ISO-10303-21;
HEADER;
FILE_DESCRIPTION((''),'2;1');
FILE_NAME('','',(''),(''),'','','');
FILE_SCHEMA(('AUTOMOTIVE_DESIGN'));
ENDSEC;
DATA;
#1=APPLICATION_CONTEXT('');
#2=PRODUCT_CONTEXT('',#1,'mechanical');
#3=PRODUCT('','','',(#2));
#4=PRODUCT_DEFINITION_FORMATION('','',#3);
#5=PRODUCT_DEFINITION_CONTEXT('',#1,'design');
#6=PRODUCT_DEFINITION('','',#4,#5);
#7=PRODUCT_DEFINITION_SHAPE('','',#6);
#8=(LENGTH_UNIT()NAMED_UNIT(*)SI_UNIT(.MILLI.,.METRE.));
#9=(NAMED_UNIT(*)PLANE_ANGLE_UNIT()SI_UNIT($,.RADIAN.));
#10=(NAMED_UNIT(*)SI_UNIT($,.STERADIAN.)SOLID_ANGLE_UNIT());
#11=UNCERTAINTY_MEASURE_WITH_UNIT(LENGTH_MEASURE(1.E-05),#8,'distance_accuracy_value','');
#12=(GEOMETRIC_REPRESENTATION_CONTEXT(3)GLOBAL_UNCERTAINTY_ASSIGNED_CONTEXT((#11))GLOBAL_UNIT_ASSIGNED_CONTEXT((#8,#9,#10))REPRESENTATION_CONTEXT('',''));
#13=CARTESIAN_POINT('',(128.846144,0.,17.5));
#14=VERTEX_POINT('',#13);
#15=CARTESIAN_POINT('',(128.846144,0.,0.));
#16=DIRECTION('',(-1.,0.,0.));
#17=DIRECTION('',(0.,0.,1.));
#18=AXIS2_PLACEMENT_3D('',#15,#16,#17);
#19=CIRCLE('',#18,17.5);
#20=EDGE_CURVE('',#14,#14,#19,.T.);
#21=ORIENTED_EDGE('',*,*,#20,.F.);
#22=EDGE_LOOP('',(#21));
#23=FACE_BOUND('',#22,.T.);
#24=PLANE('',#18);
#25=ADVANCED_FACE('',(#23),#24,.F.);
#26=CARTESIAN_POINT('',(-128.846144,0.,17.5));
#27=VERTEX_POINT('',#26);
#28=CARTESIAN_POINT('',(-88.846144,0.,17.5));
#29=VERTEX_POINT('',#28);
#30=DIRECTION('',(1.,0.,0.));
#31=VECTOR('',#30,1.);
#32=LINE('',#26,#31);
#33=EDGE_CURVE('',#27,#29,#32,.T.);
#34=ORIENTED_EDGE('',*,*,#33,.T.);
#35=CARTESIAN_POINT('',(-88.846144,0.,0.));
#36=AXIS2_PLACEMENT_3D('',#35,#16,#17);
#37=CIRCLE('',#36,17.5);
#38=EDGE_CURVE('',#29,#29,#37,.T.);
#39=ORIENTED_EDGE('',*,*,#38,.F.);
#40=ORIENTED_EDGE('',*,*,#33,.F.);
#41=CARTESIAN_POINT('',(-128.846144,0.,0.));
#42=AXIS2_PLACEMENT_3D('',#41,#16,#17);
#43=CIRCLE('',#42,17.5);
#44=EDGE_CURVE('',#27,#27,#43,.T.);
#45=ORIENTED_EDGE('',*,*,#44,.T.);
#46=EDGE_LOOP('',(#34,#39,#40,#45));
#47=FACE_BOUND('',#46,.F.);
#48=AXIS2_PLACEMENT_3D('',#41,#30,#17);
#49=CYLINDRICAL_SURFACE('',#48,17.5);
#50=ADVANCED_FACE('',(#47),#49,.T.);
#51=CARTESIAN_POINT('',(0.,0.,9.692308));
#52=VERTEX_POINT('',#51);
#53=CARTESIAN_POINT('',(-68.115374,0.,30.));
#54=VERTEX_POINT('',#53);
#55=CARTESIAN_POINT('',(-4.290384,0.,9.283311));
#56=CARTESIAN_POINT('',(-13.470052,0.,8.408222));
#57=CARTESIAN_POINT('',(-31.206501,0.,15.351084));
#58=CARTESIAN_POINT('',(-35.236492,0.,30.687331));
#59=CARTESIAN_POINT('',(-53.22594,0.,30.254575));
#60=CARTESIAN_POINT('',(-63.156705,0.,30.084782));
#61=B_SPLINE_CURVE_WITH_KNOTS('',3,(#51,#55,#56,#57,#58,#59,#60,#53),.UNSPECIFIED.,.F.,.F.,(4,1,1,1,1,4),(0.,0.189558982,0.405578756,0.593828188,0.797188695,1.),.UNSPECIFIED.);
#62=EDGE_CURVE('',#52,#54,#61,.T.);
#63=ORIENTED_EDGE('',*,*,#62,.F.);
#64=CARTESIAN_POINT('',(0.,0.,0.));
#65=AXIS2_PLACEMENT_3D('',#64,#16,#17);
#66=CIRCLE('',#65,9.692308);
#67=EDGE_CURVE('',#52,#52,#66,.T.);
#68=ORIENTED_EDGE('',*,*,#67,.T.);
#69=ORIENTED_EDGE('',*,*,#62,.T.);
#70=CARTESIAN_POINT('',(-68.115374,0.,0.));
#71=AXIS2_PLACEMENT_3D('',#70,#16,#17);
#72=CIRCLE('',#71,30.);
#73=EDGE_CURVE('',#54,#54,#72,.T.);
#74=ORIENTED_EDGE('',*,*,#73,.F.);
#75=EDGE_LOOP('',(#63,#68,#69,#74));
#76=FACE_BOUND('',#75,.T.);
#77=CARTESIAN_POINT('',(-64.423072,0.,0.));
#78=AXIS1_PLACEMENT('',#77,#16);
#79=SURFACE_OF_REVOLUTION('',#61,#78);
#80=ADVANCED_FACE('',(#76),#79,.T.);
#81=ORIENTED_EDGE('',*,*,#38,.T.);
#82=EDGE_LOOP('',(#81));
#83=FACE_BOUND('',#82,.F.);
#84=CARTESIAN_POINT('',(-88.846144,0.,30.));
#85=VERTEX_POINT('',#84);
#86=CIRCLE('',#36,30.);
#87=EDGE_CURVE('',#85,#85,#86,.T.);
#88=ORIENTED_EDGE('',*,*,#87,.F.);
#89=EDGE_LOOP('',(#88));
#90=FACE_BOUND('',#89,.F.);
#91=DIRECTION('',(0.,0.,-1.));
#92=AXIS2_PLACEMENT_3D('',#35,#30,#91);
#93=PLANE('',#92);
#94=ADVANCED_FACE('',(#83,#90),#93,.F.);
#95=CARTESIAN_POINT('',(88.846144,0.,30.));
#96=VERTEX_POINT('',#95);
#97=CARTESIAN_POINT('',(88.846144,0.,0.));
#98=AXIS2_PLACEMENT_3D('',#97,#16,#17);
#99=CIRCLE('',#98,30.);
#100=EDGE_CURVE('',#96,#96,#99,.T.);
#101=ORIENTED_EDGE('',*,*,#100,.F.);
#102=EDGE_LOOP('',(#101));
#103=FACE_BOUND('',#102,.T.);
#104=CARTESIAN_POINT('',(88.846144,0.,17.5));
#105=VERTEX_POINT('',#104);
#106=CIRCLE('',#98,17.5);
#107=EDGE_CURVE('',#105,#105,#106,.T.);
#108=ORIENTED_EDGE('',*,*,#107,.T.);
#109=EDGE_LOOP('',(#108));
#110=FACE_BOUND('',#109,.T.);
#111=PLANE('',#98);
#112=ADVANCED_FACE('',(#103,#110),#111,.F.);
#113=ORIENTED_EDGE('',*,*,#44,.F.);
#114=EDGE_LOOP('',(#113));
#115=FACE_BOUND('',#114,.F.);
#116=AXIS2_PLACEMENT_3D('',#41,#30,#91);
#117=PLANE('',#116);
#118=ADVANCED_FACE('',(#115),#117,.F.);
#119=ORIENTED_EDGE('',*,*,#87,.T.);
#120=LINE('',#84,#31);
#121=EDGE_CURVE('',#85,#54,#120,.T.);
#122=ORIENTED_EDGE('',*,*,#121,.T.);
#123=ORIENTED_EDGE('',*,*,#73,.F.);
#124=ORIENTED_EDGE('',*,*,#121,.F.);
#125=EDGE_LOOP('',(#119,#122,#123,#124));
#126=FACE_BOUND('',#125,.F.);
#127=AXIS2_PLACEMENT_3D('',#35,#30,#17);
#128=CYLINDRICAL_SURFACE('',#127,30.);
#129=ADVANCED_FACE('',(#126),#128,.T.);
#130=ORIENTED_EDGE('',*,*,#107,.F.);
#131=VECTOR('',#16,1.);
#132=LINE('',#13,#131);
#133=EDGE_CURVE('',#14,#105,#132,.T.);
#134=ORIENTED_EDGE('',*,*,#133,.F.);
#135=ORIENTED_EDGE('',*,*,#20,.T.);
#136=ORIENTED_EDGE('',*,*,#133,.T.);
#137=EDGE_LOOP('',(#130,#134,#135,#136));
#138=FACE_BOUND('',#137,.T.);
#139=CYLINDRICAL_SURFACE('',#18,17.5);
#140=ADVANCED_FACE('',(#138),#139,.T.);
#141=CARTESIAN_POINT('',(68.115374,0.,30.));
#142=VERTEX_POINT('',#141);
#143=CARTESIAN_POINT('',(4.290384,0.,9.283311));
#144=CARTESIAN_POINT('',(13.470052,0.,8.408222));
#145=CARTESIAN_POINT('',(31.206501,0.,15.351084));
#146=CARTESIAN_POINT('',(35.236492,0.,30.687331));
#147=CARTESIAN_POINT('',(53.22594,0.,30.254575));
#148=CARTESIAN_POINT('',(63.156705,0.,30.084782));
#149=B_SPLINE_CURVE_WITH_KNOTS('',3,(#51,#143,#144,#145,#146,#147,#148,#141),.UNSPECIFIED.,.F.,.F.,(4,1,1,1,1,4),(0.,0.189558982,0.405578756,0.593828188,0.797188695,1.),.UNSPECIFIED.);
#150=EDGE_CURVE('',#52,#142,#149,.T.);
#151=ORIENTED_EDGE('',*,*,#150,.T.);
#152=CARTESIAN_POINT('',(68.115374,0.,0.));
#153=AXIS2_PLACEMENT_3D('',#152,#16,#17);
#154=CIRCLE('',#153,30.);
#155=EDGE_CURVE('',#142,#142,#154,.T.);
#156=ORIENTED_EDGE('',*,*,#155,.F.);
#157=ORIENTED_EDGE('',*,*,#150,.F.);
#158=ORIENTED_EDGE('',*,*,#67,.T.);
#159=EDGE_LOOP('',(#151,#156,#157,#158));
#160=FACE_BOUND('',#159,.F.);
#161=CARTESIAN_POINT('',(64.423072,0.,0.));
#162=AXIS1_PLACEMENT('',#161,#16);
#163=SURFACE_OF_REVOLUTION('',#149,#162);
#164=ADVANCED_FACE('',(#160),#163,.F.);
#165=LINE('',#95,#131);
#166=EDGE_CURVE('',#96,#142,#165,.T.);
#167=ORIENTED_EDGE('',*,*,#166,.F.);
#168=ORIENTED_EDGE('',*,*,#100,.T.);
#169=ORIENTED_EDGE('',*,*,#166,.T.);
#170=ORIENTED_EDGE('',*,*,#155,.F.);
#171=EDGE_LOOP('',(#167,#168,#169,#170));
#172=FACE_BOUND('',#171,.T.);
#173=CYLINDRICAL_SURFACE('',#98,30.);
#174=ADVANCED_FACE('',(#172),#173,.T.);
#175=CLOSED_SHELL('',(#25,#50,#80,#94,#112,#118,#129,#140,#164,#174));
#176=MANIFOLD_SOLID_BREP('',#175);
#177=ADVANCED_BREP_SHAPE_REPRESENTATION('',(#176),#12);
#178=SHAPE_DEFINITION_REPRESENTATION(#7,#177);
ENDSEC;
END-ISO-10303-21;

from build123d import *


with BuildPart() as f1:
    # F0 (on Front) → F1 (revolve)
    with BuildSketch(Plane.XZ):
        with BuildLine():
            Line((0, 9.6923084871), (0, 0))
            Line((0, 0), (128.8461439112, 0))
            Line((128.8461439112, 0), (128.8461439112, 17.5))
            Line((128.8461439112, 17.5), (88.8461439112, 17.5))
            Line((88.8461439112, 17.5), (88.8461439112, 30))
            Line((88.8461439112, 30), (68.1153744155, 30))
            add(Edge.make_bspline(
                [(0, 9.6923084871), (4.2903837959, 9.2833106214), (13.4700518004, 8.4082223307), (31.2065009966, 15.3510841597), (35.2364916061, 30.6873308582), (53.225939561, 30.2545752312), (63.1567054052, 30.0847818821), (68.1153744155, 30)],
                knots=[0, 0, 0, 0, 0.1895589819, 0.4055787556, 0.5938281877, 0.7971886952, 1, 1, 1, 1], degree=3))
        make_face()
    revolve(axis=Axis((64.4230719556, 0, 0), (-1, 0, 0)))

    # F2: F1 across face


with BuildPart() as f1_1:
    add(f1.part)
    add(f1.part.mirror(Plane(origin=(0, 0, 0), x_dir=(0, -1, 0), z_dir=(-1, 0, 0))))


solid = f1_1.part
